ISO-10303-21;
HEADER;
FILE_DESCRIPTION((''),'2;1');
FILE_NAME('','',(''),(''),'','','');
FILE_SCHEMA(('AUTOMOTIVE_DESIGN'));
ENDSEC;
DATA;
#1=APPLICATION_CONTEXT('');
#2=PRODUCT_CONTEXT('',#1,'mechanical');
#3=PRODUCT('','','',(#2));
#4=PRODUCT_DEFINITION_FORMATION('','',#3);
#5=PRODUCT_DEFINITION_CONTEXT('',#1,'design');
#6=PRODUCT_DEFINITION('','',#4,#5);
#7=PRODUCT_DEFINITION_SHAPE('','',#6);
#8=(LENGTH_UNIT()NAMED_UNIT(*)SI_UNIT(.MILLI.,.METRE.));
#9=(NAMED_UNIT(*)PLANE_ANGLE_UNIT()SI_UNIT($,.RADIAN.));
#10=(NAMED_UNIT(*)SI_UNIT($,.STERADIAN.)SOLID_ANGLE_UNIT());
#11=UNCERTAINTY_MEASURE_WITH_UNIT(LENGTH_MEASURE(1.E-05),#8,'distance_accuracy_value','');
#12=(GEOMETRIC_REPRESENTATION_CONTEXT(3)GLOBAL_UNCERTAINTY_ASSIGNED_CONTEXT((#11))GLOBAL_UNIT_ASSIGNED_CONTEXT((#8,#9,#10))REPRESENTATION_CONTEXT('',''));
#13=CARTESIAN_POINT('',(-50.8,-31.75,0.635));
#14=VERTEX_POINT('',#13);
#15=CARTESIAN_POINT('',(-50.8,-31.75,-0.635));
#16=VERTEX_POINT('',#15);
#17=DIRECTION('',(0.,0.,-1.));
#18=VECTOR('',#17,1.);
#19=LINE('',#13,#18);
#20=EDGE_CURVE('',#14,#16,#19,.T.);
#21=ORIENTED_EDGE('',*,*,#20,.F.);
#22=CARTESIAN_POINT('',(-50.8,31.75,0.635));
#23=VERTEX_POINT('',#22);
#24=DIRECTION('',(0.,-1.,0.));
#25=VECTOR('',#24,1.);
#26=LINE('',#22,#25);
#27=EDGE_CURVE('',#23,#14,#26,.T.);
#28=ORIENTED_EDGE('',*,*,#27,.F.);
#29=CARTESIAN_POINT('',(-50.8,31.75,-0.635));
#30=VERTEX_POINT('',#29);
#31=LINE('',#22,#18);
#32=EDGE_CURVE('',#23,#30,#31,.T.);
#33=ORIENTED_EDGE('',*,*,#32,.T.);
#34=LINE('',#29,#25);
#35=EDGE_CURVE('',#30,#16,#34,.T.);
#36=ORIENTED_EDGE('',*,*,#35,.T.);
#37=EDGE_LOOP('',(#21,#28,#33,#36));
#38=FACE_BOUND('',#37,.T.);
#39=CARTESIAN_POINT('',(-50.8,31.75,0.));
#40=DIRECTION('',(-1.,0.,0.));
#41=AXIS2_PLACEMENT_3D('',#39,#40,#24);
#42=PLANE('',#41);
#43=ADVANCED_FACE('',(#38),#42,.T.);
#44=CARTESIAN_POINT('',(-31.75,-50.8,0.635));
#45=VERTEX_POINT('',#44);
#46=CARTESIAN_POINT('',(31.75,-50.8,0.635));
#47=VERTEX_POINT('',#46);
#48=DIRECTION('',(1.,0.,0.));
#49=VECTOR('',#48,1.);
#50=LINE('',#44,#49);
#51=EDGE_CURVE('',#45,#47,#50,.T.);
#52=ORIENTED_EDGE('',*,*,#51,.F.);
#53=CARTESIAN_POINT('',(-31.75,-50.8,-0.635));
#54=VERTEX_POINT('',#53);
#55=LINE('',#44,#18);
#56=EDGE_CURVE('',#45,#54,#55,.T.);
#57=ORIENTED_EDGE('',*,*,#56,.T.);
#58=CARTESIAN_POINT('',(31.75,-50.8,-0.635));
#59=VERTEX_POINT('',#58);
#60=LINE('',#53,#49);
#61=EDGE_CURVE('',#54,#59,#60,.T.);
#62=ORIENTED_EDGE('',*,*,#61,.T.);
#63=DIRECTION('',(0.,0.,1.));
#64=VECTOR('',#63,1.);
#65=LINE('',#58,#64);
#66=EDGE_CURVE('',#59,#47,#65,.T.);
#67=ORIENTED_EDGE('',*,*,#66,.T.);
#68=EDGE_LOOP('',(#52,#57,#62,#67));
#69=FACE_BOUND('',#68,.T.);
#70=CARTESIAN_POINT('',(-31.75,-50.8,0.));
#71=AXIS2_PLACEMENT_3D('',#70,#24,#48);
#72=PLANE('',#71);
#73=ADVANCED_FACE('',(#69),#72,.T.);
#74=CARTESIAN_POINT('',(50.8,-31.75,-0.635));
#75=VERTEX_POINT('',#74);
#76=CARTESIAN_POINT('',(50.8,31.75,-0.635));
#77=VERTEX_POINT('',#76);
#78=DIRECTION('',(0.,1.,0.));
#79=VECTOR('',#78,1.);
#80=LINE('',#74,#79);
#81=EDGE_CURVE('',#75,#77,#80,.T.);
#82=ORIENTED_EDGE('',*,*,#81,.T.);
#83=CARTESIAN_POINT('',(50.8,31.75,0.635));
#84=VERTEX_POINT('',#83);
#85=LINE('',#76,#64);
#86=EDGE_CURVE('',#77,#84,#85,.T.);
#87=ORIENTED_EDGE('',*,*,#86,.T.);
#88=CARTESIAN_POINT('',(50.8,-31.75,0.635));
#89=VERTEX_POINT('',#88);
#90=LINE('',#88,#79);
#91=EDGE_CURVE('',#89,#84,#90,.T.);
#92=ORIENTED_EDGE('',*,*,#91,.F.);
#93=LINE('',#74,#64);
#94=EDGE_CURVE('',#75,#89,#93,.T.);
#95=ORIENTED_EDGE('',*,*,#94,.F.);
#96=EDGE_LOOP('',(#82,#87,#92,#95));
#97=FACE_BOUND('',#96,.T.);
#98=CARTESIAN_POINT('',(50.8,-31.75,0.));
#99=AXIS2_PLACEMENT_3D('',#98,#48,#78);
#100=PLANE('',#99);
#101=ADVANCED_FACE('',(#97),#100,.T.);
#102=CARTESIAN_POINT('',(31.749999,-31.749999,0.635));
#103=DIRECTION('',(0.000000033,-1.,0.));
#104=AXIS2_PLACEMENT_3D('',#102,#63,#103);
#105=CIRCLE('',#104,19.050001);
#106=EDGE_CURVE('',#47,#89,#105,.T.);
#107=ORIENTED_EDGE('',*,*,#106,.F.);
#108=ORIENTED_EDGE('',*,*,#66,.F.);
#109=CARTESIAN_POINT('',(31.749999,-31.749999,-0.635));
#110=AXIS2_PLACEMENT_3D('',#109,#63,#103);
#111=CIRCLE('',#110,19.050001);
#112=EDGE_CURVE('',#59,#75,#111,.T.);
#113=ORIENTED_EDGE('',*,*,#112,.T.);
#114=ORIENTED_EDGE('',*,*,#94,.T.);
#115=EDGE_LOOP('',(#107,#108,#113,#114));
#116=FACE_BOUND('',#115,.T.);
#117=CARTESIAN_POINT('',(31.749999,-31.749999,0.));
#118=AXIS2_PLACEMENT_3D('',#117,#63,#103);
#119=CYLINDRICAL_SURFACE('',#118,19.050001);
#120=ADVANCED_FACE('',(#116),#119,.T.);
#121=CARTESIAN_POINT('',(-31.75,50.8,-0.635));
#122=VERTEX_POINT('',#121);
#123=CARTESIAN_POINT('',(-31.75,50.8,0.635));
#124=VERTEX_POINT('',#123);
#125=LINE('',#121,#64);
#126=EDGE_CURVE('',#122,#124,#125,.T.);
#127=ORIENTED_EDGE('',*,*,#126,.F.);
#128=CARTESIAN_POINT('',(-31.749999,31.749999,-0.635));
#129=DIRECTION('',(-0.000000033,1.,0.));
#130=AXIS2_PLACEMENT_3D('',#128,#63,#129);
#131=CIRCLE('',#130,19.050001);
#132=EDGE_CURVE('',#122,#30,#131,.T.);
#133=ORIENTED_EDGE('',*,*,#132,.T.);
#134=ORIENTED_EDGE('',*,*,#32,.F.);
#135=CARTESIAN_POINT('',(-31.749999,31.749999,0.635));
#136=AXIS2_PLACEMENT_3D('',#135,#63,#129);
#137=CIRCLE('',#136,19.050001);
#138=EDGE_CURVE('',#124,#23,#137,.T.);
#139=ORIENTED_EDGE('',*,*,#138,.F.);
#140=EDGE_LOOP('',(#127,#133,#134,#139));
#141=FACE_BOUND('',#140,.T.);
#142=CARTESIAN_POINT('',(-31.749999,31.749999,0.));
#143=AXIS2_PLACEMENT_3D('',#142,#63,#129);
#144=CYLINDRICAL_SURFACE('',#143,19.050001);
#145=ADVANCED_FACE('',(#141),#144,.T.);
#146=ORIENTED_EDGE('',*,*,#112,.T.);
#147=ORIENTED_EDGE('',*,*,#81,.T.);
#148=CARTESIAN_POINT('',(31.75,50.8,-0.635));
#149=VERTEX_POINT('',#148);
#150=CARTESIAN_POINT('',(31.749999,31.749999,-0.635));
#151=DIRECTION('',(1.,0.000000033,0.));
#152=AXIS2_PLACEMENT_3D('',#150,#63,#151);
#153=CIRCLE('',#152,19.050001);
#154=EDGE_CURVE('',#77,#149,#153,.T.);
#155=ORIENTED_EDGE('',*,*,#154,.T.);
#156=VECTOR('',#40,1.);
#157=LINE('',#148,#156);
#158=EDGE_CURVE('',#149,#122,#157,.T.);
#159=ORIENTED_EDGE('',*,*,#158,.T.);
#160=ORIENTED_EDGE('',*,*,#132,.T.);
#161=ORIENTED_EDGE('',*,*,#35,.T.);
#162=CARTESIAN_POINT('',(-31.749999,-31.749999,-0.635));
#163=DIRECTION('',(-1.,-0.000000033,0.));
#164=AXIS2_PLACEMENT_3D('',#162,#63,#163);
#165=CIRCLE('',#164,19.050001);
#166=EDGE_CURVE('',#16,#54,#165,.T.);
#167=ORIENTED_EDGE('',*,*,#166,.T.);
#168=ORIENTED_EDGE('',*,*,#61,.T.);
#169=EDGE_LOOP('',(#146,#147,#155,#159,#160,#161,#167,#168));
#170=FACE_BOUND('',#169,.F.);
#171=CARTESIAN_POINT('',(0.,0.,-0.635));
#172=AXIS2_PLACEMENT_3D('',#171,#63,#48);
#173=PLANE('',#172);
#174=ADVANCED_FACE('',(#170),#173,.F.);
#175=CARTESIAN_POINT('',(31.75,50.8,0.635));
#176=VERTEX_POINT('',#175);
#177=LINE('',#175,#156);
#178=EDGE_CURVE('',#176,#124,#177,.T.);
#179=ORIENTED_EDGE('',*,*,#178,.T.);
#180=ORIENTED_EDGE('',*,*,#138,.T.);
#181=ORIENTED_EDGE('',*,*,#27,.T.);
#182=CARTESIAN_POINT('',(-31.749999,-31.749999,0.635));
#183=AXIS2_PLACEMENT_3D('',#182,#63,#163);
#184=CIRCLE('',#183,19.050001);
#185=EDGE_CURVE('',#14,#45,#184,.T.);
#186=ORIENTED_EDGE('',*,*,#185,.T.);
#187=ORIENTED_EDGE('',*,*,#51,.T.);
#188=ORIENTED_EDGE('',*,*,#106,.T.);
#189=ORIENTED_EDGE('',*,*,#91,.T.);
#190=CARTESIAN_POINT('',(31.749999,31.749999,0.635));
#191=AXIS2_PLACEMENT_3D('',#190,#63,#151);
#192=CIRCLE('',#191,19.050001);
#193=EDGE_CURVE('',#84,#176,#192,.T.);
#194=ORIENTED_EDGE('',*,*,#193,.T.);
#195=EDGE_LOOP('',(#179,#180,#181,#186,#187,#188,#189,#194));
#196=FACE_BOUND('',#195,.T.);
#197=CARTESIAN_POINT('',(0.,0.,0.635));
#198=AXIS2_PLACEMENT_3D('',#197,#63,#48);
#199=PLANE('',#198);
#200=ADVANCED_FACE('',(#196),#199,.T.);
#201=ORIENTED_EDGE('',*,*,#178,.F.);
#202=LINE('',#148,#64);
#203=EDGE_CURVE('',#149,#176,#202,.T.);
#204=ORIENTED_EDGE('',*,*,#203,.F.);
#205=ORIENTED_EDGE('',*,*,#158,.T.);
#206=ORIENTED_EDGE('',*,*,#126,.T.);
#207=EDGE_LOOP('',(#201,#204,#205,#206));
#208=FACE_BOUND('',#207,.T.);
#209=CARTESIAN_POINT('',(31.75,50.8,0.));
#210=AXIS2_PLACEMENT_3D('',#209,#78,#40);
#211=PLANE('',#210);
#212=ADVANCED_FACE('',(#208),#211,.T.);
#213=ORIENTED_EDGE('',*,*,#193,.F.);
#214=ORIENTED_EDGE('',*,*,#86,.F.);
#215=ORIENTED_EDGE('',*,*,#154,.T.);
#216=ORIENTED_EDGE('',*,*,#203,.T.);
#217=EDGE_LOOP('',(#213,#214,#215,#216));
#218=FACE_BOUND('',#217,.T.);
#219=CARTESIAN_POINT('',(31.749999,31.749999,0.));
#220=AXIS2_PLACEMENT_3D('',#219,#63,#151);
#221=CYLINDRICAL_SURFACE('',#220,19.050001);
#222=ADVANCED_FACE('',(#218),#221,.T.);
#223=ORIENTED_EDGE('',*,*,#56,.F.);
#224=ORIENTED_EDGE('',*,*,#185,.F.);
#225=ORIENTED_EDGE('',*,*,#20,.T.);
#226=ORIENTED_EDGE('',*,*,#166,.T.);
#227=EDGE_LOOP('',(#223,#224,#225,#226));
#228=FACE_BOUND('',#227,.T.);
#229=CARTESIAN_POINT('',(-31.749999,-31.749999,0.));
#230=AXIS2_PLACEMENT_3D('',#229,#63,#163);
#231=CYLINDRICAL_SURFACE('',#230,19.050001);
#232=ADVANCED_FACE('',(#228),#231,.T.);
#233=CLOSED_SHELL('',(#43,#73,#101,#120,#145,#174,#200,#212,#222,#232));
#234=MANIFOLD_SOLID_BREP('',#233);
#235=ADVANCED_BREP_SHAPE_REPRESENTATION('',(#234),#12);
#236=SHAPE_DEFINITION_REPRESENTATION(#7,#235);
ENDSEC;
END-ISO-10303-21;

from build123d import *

# Parameters (mm, degrees)
F1_DEPTH = 0.635


with BuildPart() as f1:
    # F0 (on Top) → F1 (new body, symmetric)
    with BuildSketch(Plane.XY):
        with BuildLine():
            Line((-31.75, -50.8), (31.75, -50.8))
            ThreePointArc((31.75, -50.8), (45.220384, -45.220384), (50.8, -31.75))
            Line((50.8, -31.75), (50.8, 31.75))
            ThreePointArc((50.8, 31.75), (45.220384, 45.220384), (31.75, 50.8))
            Line((31.75, 50.8), (-31.75, 50.8))
            ThreePointArc((-31.75, 50.8), (-45.220384, 45.220384), (-50.8, 31.75))
            Line((-50.8, 31.75), (-50.8, -31.75))
            ThreePointArc((-50.8, -31.75), (-45.220384, -45.220384), (-31.75, -50.8))
        make_face()
    extrude(amount=F1_DEPTH, both=True)


solid = f1.part
